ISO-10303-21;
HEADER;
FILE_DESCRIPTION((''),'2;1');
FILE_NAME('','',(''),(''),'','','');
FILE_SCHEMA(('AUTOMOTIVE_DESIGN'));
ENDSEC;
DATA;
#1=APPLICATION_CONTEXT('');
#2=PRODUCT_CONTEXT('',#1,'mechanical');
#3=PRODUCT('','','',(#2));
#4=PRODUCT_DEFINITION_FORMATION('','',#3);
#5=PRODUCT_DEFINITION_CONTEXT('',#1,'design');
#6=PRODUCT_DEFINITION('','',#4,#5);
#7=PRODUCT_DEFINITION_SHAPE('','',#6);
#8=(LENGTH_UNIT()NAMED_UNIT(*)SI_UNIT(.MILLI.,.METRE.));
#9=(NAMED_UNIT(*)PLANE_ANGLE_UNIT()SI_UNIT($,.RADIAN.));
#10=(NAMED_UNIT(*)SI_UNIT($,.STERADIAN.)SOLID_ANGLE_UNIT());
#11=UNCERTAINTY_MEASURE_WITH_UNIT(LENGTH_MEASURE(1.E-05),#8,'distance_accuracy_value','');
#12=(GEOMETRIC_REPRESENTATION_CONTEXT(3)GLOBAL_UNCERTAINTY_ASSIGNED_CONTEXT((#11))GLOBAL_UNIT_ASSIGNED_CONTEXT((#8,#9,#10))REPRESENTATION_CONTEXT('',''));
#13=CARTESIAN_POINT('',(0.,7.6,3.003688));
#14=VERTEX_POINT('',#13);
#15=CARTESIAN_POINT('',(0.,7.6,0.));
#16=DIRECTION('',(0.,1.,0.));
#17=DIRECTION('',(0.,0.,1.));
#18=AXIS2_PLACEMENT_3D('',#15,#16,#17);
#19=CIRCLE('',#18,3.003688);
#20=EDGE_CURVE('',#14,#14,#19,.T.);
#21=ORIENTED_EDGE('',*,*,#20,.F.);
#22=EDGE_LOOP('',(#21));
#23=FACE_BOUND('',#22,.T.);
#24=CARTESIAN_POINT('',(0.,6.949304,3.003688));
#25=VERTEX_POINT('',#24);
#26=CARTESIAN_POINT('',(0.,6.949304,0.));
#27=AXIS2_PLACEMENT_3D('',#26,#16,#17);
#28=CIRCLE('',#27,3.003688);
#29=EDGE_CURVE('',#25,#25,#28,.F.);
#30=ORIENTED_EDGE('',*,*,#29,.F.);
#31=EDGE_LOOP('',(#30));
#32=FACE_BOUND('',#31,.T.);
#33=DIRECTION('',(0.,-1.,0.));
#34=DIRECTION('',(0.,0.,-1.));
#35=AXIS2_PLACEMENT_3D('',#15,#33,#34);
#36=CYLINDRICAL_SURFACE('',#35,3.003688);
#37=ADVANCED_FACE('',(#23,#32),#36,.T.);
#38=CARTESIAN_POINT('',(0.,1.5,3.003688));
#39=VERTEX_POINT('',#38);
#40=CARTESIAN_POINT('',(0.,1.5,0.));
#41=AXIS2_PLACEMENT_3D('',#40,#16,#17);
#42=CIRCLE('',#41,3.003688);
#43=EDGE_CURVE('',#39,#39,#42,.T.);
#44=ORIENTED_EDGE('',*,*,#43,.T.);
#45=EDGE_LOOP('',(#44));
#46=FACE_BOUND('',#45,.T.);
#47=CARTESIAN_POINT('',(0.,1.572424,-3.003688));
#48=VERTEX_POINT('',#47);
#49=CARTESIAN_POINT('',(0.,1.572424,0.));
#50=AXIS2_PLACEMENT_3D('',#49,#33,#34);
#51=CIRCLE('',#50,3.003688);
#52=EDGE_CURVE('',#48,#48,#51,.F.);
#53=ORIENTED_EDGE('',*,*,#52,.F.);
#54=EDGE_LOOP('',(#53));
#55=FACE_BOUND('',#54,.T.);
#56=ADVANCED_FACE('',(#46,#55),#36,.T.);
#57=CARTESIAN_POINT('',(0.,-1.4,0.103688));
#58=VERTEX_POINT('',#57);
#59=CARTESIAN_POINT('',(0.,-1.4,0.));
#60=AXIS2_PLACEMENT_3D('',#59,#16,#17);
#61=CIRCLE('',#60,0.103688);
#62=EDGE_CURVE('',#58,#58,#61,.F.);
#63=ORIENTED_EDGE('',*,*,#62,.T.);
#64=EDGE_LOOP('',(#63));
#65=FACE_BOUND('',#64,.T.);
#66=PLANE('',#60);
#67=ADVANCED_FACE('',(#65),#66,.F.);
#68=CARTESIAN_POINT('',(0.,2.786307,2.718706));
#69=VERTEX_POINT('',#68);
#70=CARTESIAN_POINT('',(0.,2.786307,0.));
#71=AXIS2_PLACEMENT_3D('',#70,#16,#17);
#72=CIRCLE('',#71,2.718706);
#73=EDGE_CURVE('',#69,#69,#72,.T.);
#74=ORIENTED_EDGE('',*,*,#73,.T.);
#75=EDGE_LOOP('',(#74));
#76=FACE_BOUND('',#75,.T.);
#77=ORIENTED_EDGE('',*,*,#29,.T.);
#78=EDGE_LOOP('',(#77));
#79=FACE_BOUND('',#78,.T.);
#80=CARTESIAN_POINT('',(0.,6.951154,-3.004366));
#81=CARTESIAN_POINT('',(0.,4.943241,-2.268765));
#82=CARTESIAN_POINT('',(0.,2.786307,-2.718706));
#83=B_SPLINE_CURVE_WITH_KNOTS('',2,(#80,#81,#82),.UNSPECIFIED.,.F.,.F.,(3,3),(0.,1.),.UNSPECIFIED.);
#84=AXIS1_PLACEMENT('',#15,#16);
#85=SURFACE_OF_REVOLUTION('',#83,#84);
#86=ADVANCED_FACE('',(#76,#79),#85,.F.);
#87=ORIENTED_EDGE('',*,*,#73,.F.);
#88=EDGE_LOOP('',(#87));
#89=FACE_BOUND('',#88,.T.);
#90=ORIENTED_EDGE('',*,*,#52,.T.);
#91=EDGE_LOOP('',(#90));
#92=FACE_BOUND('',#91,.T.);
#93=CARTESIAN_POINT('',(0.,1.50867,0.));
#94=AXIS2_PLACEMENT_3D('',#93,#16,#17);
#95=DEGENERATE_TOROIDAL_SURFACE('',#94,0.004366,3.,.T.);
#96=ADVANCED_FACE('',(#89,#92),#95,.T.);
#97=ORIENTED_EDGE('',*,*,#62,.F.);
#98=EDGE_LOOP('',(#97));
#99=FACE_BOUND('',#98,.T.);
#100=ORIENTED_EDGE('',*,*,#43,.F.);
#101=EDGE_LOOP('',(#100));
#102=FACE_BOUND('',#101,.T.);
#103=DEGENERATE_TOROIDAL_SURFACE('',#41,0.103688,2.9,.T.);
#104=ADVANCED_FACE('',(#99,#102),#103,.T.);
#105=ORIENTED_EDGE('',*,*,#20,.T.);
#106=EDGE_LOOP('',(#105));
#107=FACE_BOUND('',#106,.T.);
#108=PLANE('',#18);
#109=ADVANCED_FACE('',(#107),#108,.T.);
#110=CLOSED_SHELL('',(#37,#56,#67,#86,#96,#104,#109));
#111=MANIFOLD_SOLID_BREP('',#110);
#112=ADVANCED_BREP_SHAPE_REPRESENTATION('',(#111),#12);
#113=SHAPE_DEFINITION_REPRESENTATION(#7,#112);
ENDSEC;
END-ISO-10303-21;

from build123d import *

# Parameters (mm, degrees)
SKETCH_2_R      = 3.003688101
EXTRUDE_1_DEPTH = 9
FILLET_1_R      = 2.9


with BuildPart() as part:
    # 草图2 → 凸台-拉伸1 (new body)
    with BuildSketch(Plane(origin=(0, -1.4, 0), x_dir=(1, 0, 0), z_dir=(0, 1, 0))):
        with Locations(Location((0, 0, 0), (0, 0, 270))):
            Circle(SKETCH_2_R)
    extrude(amount=EXTRUDE_1_DEPTH)

    # 圆角1
    fillet_1_edges = [part.edges().sort_by_distance(p)[0] for p in [
        (0, -1.4, -3.003688101),
    ]]
    fillet(fillet_1_edges, radius=FILLET_1_R)

    # 草图3 → 切除-旋转2 (revolve, cut)
    with BuildSketch(Plane(origin=(0, 0, 0), x_dir=(0, 0, -1), z_dir=(1, 0, 0)), mode=Mode.PRIVATE) as cut_revolve_2_sk:
        with BuildLine():
            Line((3.004365599, 1.508670114), (3.004365599, 6.951153744))
            add(Edge.make_bspline(
                [(3.004365599, 6.951153744), (2.268764656, 4.943240983), (2.718706105, 2.786306846)],
                knots=[0, 0, 0, 1, 1, 1], degree=2))
            ThreePointArc((2.718706105, 2.786306846), (2.932079854, 2.16326101), (3.004365599, 1.508670114))
        make_face()
    revolve(cut_revolve_2_sk.sketch.rotate(Axis((0, 7.6, 0), (0, -1, 0)), 180), axis=Axis((0, 7.6, 0), (0, -1, 0)), mode=Mode.SUBTRACT)


solid = part.part
